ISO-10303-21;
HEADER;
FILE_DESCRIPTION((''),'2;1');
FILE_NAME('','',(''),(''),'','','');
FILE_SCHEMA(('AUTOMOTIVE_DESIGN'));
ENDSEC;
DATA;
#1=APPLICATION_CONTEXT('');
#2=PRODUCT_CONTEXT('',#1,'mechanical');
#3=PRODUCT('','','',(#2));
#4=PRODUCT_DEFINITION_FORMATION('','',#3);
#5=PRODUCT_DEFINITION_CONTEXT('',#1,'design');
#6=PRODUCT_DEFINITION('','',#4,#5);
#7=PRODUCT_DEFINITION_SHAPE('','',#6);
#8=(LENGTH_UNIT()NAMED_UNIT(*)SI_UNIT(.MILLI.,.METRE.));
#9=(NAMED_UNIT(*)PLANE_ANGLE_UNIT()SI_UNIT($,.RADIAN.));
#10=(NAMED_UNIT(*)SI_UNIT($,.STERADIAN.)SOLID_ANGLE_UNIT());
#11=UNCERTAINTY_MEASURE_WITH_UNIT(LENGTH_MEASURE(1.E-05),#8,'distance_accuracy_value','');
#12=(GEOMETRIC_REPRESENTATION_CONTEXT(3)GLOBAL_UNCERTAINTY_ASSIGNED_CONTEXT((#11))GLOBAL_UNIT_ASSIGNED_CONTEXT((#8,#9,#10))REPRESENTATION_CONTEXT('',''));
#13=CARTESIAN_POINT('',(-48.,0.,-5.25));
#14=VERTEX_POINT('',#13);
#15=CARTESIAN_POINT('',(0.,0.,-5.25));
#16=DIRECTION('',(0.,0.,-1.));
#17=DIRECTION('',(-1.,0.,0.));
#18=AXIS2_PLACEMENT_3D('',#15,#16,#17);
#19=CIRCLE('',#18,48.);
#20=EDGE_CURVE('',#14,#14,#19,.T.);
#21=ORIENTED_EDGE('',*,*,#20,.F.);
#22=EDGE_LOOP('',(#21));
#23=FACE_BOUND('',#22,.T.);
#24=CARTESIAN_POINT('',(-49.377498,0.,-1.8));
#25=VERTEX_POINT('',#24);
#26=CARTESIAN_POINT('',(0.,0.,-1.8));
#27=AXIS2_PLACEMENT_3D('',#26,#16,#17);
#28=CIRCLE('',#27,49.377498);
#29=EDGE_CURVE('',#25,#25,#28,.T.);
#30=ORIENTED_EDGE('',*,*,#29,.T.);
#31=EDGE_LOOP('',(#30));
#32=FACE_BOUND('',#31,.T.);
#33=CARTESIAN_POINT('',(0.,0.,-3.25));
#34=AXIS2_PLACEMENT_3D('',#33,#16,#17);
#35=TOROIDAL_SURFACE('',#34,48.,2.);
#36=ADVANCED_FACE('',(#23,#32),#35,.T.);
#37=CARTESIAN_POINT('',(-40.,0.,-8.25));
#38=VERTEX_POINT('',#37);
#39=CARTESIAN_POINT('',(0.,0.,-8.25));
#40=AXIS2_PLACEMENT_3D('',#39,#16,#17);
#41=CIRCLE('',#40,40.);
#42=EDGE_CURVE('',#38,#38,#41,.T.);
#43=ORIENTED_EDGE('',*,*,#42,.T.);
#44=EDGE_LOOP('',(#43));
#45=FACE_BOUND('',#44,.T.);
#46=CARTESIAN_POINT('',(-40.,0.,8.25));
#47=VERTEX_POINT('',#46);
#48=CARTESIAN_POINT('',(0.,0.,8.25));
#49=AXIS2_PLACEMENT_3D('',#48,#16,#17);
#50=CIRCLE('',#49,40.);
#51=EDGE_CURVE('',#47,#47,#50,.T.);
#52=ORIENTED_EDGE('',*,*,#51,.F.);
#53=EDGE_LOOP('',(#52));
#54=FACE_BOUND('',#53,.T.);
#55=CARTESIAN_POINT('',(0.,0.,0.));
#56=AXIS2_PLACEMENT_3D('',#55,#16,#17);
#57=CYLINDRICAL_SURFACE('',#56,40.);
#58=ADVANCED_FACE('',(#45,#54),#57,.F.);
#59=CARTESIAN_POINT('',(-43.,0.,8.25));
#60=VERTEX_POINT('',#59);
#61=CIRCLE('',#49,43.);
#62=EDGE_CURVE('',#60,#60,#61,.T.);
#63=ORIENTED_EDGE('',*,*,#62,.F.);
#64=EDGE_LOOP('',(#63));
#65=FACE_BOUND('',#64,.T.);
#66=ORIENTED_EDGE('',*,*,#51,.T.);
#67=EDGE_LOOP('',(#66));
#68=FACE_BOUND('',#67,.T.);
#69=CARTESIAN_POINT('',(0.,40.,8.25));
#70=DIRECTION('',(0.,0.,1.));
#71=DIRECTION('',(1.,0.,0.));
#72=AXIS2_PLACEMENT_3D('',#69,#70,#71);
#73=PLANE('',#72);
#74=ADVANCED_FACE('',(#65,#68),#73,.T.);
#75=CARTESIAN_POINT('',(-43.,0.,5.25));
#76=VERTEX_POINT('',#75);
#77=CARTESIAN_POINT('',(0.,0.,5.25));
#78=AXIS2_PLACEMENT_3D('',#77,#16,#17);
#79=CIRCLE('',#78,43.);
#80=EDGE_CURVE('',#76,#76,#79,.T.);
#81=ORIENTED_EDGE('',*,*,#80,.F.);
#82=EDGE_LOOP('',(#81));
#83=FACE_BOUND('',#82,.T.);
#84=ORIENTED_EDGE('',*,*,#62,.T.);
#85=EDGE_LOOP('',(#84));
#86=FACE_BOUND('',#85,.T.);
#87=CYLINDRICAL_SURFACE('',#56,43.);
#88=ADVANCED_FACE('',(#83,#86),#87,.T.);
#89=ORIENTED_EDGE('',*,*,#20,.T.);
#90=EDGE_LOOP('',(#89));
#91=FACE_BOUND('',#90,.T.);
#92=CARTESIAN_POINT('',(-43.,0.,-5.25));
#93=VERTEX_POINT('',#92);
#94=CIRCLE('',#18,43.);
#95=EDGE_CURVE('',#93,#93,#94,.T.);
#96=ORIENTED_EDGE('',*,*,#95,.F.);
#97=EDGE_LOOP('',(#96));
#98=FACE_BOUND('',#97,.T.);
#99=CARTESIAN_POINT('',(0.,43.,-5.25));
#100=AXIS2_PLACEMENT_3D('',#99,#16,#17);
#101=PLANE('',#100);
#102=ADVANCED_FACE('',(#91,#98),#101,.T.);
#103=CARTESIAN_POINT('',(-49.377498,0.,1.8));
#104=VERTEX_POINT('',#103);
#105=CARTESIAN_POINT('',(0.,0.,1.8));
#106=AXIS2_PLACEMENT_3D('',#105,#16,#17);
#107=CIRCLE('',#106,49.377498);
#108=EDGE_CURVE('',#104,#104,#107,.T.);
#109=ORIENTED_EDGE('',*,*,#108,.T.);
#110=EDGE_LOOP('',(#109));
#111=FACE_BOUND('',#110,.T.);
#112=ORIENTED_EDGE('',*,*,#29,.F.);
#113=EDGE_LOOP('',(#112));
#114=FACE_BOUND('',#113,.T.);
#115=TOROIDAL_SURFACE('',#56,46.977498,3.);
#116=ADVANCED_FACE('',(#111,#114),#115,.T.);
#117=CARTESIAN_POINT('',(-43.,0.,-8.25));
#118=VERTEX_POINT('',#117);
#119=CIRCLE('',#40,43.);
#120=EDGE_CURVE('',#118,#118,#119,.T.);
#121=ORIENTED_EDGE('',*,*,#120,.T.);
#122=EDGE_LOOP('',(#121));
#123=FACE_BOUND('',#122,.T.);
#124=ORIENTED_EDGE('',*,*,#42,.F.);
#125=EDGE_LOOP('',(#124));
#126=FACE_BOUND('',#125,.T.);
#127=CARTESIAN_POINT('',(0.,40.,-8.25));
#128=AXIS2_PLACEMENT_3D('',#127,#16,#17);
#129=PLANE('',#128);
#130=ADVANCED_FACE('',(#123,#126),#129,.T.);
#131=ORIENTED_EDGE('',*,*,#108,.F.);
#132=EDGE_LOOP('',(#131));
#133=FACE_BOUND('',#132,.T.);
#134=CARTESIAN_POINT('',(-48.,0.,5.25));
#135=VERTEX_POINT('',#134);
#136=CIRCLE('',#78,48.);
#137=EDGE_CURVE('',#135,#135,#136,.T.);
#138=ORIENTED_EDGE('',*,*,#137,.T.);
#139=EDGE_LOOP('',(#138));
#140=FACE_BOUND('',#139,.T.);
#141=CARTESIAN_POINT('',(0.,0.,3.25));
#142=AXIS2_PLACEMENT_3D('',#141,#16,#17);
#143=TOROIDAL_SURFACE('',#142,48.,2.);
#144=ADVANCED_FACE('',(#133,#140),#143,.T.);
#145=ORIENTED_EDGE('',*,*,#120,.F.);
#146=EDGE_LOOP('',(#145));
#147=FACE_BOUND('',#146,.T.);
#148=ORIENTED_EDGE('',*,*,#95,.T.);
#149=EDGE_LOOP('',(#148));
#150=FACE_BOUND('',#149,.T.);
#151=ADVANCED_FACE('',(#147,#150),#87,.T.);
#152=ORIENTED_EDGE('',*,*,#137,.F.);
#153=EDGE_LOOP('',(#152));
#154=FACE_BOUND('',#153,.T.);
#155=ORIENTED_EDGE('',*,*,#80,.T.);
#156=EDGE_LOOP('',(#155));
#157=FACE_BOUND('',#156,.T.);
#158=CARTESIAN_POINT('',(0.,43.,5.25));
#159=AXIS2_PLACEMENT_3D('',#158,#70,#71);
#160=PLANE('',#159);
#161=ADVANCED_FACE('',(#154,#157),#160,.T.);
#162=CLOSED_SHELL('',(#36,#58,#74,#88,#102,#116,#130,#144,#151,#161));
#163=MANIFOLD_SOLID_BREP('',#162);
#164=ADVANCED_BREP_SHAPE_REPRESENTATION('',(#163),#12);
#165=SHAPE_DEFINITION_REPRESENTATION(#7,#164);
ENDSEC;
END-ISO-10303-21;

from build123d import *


with BuildPart() as part:
    # Sketch1 → Revolve1 (revolve)
    with BuildSketch(Plane(origin=(0, 0, 0), x_dir=(0, 0, -1), z_dir=(1, 0, 0)), mode=Mode.PRIVATE) as revolve1_sk:
        with BuildLine():
            Line((8.25, 40), (-8.25, 40))
            Line((-8.25, 40), (-8.25, 43))
            Line((-8.25, 43), (-5.25, 43))
            Line((-5.25, 43), (-5.25, 48))
            ThreePointArc((-5.25, 48), (-3.991619849, 49.857417562), (-1.8, 49.377497731))
            ThreePointArc((-1.8, 49.377497731), (0, 49.977497731), (1.8, 49.377497731))
            ThreePointArc((1.8, 49.377497731), (3.991619849, 49.857417562), (5.25, 48))
            Line((5.25, 48), (5.25, 43))
            Line((5.25, 43), (8.25, 43))
            Line((8.25, 43), (8.25, 40))
        make_face()
    revolve(revolve1_sk.sketch.rotate(Axis((0, 0, 0), (0, 0, 1)), 90), axis=Axis((0, 0, 0), (0, 0, 1)))


solid = part.part
